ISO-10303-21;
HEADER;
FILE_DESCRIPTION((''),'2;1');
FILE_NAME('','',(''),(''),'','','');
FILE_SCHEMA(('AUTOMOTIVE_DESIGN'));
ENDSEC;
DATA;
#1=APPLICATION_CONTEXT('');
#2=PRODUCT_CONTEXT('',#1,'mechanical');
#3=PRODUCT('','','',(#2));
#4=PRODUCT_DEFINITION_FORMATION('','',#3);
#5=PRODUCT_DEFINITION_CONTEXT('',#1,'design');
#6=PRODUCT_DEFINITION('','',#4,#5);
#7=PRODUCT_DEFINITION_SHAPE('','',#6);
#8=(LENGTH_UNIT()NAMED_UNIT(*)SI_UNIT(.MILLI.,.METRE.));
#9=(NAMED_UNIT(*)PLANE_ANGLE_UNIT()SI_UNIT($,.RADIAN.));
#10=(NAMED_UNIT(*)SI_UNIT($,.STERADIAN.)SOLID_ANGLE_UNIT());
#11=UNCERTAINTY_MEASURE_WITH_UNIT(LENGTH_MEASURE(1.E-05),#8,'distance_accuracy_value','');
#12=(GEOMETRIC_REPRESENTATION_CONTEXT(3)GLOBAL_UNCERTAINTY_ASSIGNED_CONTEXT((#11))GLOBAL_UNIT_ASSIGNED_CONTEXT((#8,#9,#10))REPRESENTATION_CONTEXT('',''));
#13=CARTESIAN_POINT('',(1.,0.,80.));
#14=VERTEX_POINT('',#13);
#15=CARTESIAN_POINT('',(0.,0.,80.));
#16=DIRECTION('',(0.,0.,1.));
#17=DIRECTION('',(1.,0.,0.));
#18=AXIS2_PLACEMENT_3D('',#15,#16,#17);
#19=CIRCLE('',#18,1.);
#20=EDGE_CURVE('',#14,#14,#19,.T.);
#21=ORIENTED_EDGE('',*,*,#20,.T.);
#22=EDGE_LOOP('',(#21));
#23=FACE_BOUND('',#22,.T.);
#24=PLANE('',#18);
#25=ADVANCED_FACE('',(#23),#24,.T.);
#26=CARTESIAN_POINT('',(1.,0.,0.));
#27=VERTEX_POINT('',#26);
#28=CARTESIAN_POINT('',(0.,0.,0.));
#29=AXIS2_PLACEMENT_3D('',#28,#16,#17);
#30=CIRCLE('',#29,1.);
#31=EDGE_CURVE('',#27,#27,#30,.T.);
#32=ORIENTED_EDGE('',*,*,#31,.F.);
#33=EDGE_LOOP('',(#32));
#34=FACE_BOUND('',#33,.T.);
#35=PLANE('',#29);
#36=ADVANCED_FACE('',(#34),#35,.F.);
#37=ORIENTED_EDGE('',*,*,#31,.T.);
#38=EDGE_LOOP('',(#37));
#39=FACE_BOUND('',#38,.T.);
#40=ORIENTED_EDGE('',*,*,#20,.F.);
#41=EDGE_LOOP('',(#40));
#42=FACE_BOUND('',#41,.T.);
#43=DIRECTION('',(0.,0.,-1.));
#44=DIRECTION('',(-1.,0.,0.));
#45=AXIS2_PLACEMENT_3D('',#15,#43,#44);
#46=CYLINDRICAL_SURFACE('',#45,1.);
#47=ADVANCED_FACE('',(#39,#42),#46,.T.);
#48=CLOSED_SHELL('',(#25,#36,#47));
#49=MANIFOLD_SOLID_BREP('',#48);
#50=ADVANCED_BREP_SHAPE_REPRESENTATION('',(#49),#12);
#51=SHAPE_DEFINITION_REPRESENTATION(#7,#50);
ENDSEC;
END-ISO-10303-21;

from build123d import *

# Parameters (mm, degrees)
ESQUISSE1_R        = 1
BOSS_EXTRU_1_DEPTH = 80


with BuildPart() as part:
    # Esquisse1 → Boss.-Extru.1 (new body)
    with BuildSketch(Plane.XY):
        Circle(ESQUISSE1_R)
    extrude(amount=BOSS_EXTRU_1_DEPTH)


solid = part.part
